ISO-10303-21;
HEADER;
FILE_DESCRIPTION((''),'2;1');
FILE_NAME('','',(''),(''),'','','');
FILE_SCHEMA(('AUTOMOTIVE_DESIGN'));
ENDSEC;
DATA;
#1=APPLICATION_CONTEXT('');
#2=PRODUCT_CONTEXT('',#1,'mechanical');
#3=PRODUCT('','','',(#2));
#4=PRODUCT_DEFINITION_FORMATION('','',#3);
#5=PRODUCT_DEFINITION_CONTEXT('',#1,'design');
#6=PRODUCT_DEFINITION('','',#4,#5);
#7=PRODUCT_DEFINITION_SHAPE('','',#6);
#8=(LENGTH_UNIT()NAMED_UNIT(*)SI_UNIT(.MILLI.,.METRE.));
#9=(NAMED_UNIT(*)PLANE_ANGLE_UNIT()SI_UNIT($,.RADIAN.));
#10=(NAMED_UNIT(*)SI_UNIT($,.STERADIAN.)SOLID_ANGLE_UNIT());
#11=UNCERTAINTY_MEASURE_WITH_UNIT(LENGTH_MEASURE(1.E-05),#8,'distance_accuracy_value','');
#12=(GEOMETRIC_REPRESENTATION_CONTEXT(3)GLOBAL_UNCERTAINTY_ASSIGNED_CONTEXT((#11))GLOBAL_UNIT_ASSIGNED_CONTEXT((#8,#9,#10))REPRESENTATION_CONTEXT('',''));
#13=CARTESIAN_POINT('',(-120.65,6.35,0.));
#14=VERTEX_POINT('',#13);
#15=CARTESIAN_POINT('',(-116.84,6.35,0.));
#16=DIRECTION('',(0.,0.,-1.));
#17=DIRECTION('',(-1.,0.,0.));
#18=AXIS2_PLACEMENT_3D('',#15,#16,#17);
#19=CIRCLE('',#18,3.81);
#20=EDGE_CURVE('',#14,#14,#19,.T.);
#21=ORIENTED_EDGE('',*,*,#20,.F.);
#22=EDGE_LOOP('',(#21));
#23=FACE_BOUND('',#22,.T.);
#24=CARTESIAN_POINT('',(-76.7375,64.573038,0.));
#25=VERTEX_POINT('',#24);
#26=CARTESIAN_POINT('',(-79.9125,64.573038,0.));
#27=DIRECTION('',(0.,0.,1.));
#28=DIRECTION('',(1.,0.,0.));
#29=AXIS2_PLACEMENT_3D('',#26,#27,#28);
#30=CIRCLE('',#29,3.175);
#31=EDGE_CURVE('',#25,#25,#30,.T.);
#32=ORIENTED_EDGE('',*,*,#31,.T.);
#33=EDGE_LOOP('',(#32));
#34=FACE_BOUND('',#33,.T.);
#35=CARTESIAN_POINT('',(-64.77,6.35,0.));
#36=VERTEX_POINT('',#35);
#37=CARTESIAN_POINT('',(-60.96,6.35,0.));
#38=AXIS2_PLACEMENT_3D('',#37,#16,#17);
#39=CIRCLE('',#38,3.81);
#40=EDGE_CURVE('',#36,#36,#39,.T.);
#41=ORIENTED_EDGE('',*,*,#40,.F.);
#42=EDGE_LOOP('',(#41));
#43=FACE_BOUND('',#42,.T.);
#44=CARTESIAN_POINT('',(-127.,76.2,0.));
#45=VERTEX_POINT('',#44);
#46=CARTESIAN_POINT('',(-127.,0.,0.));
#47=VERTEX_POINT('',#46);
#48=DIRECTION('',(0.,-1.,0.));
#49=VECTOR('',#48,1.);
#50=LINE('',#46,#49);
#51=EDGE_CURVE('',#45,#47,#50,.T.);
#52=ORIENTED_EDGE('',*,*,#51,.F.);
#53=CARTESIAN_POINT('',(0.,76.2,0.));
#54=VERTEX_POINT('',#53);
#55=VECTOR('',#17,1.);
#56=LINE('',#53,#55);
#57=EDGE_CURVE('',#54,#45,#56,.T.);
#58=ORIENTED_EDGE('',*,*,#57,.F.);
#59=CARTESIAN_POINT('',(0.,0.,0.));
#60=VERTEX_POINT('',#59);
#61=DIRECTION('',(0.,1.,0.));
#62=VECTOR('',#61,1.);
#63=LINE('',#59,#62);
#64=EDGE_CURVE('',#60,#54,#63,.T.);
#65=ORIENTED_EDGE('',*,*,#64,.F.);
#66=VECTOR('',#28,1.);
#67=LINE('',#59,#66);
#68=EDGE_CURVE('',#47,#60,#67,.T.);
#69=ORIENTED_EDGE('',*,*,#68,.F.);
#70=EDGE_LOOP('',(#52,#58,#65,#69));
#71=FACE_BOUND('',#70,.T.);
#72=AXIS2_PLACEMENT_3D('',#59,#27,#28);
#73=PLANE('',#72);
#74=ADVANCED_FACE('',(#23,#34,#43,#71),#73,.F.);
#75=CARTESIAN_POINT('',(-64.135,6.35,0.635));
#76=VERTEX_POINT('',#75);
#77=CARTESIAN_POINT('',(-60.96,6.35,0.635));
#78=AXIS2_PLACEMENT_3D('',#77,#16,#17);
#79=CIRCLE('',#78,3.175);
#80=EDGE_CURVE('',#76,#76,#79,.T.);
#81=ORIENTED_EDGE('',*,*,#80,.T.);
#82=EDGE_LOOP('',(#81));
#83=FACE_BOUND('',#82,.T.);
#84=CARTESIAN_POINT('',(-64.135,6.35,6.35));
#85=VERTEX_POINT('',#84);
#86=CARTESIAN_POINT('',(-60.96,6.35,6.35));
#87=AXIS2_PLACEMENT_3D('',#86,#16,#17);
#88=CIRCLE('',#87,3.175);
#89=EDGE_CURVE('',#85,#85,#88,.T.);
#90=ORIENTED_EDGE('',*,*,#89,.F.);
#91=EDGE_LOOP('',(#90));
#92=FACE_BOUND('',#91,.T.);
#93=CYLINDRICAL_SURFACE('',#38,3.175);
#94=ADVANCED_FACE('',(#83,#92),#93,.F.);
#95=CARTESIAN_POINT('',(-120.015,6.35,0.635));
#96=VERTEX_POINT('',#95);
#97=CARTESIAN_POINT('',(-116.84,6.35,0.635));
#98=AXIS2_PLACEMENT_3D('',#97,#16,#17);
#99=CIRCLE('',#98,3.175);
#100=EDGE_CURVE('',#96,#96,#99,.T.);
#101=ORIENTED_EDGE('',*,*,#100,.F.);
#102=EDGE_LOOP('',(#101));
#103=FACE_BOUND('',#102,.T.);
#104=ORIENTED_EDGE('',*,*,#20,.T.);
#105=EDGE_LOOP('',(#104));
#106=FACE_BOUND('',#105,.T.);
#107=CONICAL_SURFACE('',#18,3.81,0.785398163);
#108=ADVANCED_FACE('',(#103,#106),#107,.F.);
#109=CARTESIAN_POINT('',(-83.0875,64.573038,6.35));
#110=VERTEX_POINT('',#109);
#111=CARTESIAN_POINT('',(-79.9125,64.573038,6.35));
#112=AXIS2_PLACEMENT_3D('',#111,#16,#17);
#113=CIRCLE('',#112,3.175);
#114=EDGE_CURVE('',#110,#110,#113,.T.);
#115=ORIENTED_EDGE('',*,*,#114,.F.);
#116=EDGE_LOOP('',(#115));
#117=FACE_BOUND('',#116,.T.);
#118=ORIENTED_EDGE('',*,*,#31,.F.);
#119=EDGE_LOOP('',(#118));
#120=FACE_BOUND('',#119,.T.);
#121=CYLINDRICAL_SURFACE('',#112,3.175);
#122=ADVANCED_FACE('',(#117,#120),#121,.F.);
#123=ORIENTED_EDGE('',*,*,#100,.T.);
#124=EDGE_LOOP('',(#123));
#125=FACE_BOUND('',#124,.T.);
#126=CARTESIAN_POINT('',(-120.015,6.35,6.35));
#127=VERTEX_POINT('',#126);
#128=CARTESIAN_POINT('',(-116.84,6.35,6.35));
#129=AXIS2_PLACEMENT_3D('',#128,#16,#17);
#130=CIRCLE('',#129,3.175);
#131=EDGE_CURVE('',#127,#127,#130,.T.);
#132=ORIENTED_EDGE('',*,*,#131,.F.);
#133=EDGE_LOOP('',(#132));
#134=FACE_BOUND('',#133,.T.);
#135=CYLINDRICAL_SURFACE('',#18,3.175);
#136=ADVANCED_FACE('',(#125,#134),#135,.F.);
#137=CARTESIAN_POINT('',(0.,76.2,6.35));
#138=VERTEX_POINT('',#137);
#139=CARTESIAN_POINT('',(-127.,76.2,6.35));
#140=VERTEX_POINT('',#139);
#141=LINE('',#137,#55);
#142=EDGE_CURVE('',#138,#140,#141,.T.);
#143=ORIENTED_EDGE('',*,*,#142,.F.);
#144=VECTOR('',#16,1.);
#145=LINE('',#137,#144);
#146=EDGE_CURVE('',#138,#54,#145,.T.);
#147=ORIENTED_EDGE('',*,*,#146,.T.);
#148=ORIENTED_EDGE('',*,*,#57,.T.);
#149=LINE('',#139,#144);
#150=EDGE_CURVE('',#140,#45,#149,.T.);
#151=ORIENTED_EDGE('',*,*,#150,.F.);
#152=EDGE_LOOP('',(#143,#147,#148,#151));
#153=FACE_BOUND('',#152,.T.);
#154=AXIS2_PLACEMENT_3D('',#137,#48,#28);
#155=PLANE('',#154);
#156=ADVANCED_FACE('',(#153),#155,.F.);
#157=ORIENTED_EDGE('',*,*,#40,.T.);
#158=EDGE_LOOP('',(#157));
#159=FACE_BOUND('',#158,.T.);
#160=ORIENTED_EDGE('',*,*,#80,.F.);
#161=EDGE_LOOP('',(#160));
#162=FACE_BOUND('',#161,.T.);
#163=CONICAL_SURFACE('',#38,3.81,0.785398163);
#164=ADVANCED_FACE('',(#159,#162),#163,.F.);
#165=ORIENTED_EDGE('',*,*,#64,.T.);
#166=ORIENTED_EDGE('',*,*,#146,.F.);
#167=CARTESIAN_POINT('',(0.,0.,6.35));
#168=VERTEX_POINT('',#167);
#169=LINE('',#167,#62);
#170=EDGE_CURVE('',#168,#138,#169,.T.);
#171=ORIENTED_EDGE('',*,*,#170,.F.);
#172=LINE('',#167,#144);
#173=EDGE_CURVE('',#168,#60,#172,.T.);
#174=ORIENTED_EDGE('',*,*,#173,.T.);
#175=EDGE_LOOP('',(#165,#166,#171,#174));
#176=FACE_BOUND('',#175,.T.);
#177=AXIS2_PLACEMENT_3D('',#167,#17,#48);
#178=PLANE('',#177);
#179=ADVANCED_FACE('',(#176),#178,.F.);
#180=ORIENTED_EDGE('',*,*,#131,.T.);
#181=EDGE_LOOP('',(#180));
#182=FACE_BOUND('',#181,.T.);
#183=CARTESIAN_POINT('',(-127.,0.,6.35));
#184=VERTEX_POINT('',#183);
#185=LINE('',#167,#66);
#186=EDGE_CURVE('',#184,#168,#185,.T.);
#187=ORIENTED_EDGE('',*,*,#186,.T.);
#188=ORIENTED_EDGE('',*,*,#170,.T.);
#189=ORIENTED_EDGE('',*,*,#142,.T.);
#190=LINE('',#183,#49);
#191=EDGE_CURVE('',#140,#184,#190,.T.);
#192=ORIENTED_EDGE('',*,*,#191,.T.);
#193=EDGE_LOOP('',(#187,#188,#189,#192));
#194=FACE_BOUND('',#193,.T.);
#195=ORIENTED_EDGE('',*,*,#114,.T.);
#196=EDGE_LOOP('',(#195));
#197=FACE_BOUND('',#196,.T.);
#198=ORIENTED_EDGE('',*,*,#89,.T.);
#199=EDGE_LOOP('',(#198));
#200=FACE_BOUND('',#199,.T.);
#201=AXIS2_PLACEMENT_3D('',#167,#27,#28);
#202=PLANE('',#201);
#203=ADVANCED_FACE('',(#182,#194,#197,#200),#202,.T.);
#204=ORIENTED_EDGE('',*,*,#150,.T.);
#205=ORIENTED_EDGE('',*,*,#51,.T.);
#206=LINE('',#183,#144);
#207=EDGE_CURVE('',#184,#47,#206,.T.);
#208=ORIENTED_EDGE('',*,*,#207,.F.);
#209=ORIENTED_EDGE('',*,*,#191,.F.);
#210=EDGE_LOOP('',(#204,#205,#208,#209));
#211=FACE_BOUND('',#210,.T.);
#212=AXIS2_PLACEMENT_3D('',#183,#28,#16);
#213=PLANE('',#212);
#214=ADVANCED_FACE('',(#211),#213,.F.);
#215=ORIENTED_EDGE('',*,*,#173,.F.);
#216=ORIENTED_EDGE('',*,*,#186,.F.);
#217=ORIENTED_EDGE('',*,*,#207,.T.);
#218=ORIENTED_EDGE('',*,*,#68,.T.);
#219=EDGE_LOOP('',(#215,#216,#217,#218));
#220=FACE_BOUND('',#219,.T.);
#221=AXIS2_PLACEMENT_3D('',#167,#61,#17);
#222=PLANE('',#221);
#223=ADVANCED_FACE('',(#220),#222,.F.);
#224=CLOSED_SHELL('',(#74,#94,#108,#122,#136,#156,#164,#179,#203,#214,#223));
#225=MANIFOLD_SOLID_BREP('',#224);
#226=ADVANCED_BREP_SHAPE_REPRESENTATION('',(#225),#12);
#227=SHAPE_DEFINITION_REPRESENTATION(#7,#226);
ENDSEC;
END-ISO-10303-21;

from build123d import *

# Parameters (mm, degrees)
SKETCH1_W                             = 127
SKETCH1_H                             = 76.2
BOSS_EXTRUDE1_DEPTH                   = 6.35
CUT_EXTRUDE1_DEPTH                    = 149.24224263
CUT_EXTRUDE1_DEPTH_BACK               = 149.24224263
SKETCH4_R                             = 3.175
F_1_4_0_25_DIAMETER_HOLE1_D           = 6.35
F_1_4_0_25_DIAMETER_HOLE1_CSINK_D     = 7.62
F_1_4_0_25_DIAMETER_HOLE1_CSINK_ANGLE = 90


with BuildPart() as part:
    # Sketch1 → Boss-Extrude1 (new body)
    with BuildSketch(Plane.XY):
        with Locations((-63.5, 38.1)):
            Rectangle(SKETCH1_W, SKETCH1_H)
    extrude(amount=BOSS_EXTRUDE1_DEPTH)

    # Sketch4 → Cut-Extrude1 (cut, two sides: drawn at the far end of the back side and taken through both)
    with BuildSketch(Plane(origin=(0, 0, 0), x_dir=(-1, 0, 0), z_dir=(0, 0, -1)).offset(-CUT_EXTRUDE1_DEPTH_BACK)):
        with Locations((79.912500047, 64.573038165)):
            Circle(SKETCH4_R)
    extrude(amount=CUT_EXTRUDE1_DEPTH + CUT_EXTRUDE1_DEPTH_BACK, mode=Mode.SUBTRACT)

    # 1/4 (0.25) Diameter Hole1 (through all)
    with Locations(Plane(origin=(0, 0, 0), x_dir=(-1, 0, 0), z_dir=(0, 0, -1))):
        with Locations((116.84, 6.35), (60.96, 6.35)):
            CounterSinkHole(F_1_4_0_25_DIAMETER_HOLE1_D / 2, F_1_4_0_25_DIAMETER_HOLE1_CSINK_D / 2, counter_sink_angle=F_1_4_0_25_DIAMETER_HOLE1_CSINK_ANGLE)


solid = part.part
